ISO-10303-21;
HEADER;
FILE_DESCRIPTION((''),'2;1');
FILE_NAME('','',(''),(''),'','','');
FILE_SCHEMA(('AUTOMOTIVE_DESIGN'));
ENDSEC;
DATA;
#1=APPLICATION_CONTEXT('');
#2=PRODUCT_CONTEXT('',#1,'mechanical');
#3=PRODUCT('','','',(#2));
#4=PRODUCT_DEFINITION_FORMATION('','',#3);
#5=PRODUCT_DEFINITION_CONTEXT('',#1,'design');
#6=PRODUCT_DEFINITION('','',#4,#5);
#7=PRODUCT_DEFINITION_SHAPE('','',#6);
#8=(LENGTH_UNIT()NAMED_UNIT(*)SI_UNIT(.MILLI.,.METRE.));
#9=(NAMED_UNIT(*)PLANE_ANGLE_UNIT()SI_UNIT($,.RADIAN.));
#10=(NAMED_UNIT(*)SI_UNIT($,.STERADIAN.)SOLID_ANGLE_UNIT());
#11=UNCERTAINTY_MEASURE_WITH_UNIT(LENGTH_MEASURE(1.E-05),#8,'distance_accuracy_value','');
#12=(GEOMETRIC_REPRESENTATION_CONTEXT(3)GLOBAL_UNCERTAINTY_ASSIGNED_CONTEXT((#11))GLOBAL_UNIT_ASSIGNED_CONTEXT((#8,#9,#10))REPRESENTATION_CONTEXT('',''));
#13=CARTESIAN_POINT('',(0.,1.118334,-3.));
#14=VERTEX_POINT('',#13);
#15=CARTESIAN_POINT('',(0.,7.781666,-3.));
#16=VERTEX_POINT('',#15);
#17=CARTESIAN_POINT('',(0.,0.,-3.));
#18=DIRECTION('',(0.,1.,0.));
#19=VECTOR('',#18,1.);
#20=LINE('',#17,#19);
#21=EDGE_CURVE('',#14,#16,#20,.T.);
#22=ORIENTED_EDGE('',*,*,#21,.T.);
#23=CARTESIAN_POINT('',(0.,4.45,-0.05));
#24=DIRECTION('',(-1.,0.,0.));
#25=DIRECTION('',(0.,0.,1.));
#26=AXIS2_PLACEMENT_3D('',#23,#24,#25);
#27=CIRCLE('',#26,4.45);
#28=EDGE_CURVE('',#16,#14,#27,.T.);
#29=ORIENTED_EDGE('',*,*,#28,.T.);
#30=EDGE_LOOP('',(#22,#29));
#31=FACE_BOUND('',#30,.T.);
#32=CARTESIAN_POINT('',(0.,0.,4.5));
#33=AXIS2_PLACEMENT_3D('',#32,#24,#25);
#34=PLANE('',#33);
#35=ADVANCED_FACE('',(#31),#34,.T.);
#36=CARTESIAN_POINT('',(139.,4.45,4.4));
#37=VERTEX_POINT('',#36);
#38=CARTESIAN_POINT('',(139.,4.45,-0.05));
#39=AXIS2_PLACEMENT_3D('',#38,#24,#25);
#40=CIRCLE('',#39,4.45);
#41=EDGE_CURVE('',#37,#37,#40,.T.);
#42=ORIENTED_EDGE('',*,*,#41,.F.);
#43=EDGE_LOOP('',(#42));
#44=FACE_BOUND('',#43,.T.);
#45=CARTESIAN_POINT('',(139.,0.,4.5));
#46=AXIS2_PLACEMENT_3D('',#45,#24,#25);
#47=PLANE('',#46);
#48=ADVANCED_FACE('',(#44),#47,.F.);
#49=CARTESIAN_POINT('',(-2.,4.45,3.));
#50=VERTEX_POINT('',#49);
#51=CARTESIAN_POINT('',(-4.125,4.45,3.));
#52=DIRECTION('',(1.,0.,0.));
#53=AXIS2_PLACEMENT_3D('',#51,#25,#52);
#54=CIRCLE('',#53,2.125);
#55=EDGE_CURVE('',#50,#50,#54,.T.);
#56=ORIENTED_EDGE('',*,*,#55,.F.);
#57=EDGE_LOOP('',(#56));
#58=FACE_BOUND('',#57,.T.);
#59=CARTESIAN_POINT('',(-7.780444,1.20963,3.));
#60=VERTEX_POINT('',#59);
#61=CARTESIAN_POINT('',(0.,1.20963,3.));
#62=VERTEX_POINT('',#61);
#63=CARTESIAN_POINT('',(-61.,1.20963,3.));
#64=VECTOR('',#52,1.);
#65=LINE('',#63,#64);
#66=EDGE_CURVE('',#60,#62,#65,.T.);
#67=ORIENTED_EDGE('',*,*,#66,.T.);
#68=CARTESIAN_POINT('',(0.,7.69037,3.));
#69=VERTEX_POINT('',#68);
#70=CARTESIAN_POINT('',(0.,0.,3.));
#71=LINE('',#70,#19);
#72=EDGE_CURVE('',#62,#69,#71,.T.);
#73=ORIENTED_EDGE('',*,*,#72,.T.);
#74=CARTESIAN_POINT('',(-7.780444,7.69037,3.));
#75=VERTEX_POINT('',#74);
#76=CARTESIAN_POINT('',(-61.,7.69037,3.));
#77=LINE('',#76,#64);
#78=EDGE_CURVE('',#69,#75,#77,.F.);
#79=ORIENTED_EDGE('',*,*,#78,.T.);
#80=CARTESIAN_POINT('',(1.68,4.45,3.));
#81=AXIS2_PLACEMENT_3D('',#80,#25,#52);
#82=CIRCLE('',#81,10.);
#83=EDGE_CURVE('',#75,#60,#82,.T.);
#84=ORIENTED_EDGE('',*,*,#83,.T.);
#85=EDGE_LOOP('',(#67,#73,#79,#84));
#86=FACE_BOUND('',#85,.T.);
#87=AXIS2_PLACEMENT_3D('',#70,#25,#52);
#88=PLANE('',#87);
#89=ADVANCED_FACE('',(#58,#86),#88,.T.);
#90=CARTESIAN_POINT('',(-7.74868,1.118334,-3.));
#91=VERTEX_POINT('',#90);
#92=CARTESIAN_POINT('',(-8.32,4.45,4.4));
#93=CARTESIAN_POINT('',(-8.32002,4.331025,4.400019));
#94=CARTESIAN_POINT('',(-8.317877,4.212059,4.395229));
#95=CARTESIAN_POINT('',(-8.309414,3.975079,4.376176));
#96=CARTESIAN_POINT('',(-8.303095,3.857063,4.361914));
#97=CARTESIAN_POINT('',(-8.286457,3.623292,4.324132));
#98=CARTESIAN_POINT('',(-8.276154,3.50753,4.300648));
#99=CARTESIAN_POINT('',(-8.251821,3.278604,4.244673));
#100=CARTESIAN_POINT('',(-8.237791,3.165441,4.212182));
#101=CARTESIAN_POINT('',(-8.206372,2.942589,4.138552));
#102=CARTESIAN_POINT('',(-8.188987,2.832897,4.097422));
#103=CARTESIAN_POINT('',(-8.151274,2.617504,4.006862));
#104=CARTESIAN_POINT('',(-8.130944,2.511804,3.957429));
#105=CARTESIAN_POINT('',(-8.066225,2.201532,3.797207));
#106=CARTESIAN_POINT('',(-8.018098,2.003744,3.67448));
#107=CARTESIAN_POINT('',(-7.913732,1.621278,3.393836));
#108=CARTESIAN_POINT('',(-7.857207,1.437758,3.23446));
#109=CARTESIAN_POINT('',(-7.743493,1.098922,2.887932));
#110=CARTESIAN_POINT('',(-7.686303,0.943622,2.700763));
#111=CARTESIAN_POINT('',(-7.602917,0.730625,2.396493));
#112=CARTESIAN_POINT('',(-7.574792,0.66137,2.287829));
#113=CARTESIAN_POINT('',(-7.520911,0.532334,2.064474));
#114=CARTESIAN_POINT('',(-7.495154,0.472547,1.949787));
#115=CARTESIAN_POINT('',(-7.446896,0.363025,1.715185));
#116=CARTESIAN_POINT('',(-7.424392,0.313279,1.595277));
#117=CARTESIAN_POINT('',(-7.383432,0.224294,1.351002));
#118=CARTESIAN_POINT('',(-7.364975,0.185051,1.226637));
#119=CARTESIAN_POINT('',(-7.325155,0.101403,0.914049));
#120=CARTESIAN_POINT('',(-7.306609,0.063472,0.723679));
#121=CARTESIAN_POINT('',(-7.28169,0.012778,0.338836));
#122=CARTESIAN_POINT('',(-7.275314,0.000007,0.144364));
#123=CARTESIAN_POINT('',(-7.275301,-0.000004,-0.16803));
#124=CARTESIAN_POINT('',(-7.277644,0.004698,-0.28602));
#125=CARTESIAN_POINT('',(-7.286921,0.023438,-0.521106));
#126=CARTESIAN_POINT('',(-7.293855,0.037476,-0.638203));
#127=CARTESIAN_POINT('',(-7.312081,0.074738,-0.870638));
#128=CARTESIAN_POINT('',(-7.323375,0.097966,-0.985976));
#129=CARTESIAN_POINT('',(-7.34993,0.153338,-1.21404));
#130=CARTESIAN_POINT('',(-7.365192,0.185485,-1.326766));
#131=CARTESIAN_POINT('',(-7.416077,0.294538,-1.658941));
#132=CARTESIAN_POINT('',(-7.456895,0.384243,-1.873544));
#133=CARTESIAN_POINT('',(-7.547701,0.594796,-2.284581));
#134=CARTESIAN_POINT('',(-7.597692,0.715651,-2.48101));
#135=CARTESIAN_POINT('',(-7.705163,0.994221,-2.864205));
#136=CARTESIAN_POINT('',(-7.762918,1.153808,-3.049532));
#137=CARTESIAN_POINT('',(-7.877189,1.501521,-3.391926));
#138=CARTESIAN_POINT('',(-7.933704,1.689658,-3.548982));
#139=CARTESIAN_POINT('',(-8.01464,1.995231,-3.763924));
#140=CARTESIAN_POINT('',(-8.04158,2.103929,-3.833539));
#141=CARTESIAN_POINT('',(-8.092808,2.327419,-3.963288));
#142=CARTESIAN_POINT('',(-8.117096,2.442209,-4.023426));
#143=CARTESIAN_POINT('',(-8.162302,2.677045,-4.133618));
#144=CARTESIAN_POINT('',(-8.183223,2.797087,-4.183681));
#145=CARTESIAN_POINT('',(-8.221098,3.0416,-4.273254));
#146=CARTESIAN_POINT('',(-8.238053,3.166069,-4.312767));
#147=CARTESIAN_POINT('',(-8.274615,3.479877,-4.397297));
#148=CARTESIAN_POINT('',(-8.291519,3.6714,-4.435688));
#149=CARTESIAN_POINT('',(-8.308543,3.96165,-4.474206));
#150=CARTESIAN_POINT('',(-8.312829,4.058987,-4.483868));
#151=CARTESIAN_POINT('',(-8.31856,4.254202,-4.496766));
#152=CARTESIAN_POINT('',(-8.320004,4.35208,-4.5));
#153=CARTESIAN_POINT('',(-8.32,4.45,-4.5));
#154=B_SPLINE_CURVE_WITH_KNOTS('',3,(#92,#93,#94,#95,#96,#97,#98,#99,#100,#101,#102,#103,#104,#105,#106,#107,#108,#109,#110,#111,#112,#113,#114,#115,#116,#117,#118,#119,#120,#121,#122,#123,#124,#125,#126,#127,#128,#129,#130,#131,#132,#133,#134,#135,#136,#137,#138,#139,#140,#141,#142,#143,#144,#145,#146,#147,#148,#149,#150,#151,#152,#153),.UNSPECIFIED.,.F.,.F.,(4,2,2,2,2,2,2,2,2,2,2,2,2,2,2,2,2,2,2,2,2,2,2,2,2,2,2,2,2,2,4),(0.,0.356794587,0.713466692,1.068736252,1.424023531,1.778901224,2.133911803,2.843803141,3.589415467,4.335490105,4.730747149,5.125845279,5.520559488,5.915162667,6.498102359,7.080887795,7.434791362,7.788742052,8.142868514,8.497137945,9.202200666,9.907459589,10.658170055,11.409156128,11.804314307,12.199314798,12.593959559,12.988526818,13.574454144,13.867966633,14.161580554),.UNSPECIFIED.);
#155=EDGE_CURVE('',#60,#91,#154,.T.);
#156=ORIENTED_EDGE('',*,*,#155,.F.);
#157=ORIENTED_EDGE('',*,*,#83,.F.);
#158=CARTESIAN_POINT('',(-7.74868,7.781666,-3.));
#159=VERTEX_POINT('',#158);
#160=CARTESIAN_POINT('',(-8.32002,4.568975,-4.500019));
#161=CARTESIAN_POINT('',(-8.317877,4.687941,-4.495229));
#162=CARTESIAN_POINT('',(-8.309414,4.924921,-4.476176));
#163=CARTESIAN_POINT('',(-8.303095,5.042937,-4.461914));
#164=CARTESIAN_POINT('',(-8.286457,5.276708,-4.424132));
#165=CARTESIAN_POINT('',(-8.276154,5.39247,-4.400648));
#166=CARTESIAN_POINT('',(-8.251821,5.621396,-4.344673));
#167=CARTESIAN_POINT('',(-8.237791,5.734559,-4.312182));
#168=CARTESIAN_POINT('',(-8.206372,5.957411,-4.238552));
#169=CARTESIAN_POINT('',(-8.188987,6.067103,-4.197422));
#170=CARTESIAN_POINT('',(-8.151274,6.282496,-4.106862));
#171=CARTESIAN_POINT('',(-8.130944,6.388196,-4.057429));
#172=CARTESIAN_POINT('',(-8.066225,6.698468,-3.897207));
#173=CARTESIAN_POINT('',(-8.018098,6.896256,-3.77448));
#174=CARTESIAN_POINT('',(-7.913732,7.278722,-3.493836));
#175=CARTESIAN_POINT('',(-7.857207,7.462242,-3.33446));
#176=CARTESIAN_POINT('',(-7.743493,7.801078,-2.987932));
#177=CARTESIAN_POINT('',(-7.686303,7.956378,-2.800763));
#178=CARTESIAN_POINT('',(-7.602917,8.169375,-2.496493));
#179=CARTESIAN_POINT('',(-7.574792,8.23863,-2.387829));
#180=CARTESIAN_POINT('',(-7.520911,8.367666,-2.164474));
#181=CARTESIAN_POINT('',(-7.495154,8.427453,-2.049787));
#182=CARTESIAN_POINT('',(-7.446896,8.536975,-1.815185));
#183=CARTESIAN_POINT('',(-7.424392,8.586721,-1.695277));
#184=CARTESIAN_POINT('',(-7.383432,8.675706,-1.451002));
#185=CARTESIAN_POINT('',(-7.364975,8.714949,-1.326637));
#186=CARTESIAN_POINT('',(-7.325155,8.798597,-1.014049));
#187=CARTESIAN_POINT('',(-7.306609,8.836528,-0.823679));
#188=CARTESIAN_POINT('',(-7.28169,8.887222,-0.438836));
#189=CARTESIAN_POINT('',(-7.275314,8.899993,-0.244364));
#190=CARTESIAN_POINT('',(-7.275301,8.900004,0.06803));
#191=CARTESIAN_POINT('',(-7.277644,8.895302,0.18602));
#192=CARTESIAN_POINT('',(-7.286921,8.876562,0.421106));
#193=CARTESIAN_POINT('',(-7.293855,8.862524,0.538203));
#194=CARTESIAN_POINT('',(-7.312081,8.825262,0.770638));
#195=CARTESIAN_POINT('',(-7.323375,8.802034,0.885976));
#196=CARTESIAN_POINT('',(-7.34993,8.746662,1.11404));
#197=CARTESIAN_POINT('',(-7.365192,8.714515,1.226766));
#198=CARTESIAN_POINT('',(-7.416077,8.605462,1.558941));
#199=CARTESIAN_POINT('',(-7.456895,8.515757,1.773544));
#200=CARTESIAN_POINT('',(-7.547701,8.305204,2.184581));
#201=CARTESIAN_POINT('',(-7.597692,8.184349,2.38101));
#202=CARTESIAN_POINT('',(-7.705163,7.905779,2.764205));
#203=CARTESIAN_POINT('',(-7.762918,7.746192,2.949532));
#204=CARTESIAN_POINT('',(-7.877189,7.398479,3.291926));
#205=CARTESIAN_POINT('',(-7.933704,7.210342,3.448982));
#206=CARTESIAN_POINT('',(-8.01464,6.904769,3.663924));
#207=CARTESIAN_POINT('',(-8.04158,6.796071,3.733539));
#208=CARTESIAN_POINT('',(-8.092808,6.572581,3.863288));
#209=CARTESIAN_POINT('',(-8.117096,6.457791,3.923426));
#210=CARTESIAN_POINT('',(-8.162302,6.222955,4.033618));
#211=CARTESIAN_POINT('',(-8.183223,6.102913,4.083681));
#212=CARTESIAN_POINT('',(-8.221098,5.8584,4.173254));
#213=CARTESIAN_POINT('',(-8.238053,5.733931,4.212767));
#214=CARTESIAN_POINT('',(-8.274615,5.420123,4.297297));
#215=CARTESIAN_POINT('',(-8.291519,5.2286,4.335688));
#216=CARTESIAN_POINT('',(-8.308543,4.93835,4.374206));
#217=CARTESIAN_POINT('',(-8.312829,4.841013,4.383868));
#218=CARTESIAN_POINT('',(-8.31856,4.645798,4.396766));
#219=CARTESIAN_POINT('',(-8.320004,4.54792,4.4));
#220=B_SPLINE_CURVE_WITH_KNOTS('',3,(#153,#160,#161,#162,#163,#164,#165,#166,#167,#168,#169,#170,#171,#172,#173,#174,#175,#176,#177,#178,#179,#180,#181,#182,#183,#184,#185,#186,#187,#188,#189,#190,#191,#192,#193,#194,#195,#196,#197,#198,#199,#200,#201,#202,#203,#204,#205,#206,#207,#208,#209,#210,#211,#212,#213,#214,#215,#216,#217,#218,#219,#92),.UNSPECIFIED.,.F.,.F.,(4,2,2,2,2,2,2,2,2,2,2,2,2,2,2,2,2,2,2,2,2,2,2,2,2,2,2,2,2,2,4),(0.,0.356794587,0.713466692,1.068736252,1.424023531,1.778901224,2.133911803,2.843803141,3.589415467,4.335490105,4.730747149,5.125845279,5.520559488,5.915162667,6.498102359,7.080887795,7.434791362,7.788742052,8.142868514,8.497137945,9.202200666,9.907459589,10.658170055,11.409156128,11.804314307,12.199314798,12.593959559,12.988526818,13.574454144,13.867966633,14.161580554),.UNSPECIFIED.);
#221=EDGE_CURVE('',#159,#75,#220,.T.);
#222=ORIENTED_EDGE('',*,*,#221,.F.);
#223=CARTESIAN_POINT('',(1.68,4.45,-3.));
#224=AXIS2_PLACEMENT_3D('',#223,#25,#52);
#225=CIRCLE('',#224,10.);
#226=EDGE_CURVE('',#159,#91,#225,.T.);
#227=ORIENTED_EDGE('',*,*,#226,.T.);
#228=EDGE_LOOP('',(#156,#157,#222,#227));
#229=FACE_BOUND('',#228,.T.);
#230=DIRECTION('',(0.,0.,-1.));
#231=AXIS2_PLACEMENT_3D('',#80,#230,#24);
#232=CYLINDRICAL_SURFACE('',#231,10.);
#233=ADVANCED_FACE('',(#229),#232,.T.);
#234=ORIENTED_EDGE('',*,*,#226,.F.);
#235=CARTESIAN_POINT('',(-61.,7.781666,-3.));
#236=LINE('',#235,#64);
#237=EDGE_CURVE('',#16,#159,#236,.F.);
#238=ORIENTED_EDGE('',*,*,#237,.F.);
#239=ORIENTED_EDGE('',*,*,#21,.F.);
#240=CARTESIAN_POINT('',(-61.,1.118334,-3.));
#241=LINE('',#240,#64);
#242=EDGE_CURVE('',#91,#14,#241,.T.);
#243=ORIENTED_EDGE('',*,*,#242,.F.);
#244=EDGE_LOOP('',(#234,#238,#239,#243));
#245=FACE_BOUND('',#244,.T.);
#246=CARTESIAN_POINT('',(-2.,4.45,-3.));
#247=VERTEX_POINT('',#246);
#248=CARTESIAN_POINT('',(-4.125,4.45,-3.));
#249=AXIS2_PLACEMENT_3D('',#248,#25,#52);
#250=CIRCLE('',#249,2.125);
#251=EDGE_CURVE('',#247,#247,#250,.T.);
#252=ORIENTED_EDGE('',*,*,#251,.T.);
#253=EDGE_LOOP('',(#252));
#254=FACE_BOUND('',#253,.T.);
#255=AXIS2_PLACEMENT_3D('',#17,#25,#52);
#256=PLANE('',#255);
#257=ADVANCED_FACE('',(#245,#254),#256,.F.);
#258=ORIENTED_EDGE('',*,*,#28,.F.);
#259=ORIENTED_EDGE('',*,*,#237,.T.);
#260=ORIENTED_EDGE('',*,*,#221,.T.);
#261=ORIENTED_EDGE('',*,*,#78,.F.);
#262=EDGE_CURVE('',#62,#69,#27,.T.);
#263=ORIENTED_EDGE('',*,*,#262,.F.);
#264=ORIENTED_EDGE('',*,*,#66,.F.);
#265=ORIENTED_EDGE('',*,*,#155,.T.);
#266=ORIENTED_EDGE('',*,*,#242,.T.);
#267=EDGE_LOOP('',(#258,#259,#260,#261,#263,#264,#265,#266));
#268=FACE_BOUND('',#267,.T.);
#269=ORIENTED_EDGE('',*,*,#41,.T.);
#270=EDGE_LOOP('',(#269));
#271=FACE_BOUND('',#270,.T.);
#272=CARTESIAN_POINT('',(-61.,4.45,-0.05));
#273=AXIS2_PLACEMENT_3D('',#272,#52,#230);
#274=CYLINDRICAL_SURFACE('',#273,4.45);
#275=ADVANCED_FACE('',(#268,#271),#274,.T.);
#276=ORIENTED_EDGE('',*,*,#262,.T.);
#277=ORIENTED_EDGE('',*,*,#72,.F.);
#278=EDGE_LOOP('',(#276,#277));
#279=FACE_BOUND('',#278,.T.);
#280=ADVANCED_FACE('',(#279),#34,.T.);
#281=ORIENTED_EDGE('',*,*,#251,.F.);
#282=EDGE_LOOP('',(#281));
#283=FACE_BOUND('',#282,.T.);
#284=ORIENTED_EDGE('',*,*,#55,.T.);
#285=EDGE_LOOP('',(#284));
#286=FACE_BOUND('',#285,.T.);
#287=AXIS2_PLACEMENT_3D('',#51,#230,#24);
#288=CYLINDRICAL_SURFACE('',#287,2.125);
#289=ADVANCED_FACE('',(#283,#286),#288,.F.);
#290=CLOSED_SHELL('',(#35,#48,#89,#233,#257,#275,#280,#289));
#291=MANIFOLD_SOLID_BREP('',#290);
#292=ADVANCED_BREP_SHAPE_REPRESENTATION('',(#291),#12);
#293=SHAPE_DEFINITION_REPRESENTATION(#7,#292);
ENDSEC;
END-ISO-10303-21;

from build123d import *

# Parameters (mm, degrees)
BOSS_EXTRUDE1_DEPTH = 4.5
SKETCH1_3_R         = 2.125
BOSS_EXTRUDE2_DEPTH = 3
CUT_EXTRUDE1_DEPTH  = 200
CUT_EXTRUDE4_DEPTH  = 200
CUT_EXTRUDE5_DEPTH  = 200
CUT_EXTRUDE6_DEPTH  = 200
CUT_EXTRUDE8_DEPTH  = 361


with BuildPart() as part:
    # Sketch1 → Boss-Extrude1 (new, symmetric)
    with BuildSketch(Plane.XY):
        Polygon((139, 8.9), (0, 8.9), (0, 4.45), (0, 0), (139, 0), align=None)
    extrude(amount=BOSS_EXTRUDE1_DEPTH, both=True)

    # Sketch1<3> → Boss-Extrude2 (add, symmetric)
    with BuildSketch(Plane.XY):
        with BuildLine():
            Line((0, 4.45), (0, 8.9))
            Line((0, 8.9), (0, 9.4))
            Line((0, 9.4), (-7.008929738, 9.4))
            ThreePointArc((-7.008929738, 9.4), (-8.32, 4.45), (-7.008929738, -0.5))
            Line((-7.008929738, -0.5), (0, -0.5))
            Line((0, -0.5), (0, 0))
            Line((0, 0), (0, 4.45))
        make_face()
        with Locations((-4.125, 4.45)):
            Circle(SKETCH1_3_R, mode=Mode.SUBTRACT)
    extrude(amount=BOSS_EXTRUDE2_DEPTH, both=True)

    # Sketch2 → Cut-Extrude1 (cut, symmetric)
    with BuildSketch(Plane(origin=(139, 0, 0), x_dir=(0, 0, -1), z_dir=(1, 0, 0))):
        with BuildLine():
            ThreePointArc((0.05, 8.9), (3.196625176, 7.596625176), (4.5, 4.45))
            Line((4.5, 4.45), (4.5, 8.9))
            Line((4.5, 8.9), (0.05, 8.9))
        make_face()
        with BuildLine():
            Line((4.5, 0), (4.5, 4.45))
            ThreePointArc((4.5, 4.45), (3.196625176, 1.303374824), (0.05, 0))
            Line((0.05, 0), (4.5, 0))
        make_face()
        with BuildLine():
            Line((-4.5, 0), (0.05, 0))
            ThreePointArc((0.05, 0), (-3.096625176, 1.303374824), (-4.4, 4.45))
            Line((-4.4, 4.45), (-4.5, 0))
        make_face()
        with BuildLine():
            ThreePointArc((-4.4, 4.45), (-3.096625176, 7.596625176), (0.05, 8.9))
            Line((0.05, 8.9), (-4.4, 8.9))
            Line((-4.4, 8.9), (-4.4, 4.45))
        make_face()
    extrude(amount=CUT_EXTRUDE1_DEPTH, both=True, mode=Mode.SUBTRACT)


with BuildPart() as cut_extrude1_piece_1:
    # of the separate pieces the step leaves, piece 1, a body of its own (cut_extrude1_pieces)
    add(part.part.solids().sort_by_distance((139, 8.9, -0.05))[0])


with BuildPart() as cut_extrude1_piece_2:
    # of the separate pieces the step leaves, piece 2, a body of its own (cut_extrude1_pieces)
    add(part.part.solids().sort_by_distance((139, 8.9, 4.5))[0])

    # Sketch8 → Cut-Extrude8 (cut, symmetric)
    with BuildSketch(Plane(origin=(139, 0, 0), x_dir=(0, 0, -1), z_dir=(1, 0, 0))):
        Polygon((-4.4, 4.45), (-4.497226285, 0.123430317), (-4.497226285, -0.993132251), (-5.525689044, -1.409682141), (-10.667797883, 2.280439271), (-5.525689044, 10.659843857), (-2.697341369, 11.337001628), (-4.4, 7.708140942), align=None)
    extrude(amount=CUT_EXTRUDE8_DEPTH, both=True, mode=Mode.SUBTRACT)


with BuildPart() as cut_extrude1_piece_3:
    # of the separate pieces the step leaves, piece 3, a body of its own (cut_extrude1_pieces)
    add(part.part.solids().sort_by_distance((0, 0, 3))[0])

    # Sketch6 → Cut-Extrude5 (cut, symmetric)
    with BuildSketch(Plane.XY.offset(3)):
        Polygon((0, 0), (0.715891122, -1.192951857), (-7.933711104, -1.400818057), (-7.27530569, 0), align=None)
    extrude(amount=CUT_EXTRUDE5_DEPTH, both=True, mode=Mode.SUBTRACT)


with BuildPart() as cut_extrude1_piece_4:
    # of the separate pieces the step leaves, piece 4, a body of its own (cut_extrude1_pieces)
    add(part.part.solids().sort_by_distance((0, 8.9, -3))[0])

    # Sketch5 → Cut-Extrude4 (cut, symmetric)
    with BuildSketch(Plane(origin=(0, 0, -3), x_dir=(-1, 0, 0), z_dir=(0, 0, -1))):
        Polygon((7.27530569, 8.9), (0, 8.9), (-1.536483872, 9.442626596), (6.771268728, 9.782768914), align=None)
    extrude(amount=CUT_EXTRUDE4_DEPTH, both=True, mode=Mode.SUBTRACT)

    # Sketch7 → Cut-Extrude6 (cut, symmetric)
    with BuildSketch(Plane.XY.offset(3)):
        Polygon((-7.27530569, 8.9), (-6.80653665, 9.625984501), (-7.207484275, 9.625984501), align=None)
    extrude(amount=CUT_EXTRUDE6_DEPTH, both=True, mode=Mode.SUBTRACT)


solid = cut_extrude1_piece_1.part
